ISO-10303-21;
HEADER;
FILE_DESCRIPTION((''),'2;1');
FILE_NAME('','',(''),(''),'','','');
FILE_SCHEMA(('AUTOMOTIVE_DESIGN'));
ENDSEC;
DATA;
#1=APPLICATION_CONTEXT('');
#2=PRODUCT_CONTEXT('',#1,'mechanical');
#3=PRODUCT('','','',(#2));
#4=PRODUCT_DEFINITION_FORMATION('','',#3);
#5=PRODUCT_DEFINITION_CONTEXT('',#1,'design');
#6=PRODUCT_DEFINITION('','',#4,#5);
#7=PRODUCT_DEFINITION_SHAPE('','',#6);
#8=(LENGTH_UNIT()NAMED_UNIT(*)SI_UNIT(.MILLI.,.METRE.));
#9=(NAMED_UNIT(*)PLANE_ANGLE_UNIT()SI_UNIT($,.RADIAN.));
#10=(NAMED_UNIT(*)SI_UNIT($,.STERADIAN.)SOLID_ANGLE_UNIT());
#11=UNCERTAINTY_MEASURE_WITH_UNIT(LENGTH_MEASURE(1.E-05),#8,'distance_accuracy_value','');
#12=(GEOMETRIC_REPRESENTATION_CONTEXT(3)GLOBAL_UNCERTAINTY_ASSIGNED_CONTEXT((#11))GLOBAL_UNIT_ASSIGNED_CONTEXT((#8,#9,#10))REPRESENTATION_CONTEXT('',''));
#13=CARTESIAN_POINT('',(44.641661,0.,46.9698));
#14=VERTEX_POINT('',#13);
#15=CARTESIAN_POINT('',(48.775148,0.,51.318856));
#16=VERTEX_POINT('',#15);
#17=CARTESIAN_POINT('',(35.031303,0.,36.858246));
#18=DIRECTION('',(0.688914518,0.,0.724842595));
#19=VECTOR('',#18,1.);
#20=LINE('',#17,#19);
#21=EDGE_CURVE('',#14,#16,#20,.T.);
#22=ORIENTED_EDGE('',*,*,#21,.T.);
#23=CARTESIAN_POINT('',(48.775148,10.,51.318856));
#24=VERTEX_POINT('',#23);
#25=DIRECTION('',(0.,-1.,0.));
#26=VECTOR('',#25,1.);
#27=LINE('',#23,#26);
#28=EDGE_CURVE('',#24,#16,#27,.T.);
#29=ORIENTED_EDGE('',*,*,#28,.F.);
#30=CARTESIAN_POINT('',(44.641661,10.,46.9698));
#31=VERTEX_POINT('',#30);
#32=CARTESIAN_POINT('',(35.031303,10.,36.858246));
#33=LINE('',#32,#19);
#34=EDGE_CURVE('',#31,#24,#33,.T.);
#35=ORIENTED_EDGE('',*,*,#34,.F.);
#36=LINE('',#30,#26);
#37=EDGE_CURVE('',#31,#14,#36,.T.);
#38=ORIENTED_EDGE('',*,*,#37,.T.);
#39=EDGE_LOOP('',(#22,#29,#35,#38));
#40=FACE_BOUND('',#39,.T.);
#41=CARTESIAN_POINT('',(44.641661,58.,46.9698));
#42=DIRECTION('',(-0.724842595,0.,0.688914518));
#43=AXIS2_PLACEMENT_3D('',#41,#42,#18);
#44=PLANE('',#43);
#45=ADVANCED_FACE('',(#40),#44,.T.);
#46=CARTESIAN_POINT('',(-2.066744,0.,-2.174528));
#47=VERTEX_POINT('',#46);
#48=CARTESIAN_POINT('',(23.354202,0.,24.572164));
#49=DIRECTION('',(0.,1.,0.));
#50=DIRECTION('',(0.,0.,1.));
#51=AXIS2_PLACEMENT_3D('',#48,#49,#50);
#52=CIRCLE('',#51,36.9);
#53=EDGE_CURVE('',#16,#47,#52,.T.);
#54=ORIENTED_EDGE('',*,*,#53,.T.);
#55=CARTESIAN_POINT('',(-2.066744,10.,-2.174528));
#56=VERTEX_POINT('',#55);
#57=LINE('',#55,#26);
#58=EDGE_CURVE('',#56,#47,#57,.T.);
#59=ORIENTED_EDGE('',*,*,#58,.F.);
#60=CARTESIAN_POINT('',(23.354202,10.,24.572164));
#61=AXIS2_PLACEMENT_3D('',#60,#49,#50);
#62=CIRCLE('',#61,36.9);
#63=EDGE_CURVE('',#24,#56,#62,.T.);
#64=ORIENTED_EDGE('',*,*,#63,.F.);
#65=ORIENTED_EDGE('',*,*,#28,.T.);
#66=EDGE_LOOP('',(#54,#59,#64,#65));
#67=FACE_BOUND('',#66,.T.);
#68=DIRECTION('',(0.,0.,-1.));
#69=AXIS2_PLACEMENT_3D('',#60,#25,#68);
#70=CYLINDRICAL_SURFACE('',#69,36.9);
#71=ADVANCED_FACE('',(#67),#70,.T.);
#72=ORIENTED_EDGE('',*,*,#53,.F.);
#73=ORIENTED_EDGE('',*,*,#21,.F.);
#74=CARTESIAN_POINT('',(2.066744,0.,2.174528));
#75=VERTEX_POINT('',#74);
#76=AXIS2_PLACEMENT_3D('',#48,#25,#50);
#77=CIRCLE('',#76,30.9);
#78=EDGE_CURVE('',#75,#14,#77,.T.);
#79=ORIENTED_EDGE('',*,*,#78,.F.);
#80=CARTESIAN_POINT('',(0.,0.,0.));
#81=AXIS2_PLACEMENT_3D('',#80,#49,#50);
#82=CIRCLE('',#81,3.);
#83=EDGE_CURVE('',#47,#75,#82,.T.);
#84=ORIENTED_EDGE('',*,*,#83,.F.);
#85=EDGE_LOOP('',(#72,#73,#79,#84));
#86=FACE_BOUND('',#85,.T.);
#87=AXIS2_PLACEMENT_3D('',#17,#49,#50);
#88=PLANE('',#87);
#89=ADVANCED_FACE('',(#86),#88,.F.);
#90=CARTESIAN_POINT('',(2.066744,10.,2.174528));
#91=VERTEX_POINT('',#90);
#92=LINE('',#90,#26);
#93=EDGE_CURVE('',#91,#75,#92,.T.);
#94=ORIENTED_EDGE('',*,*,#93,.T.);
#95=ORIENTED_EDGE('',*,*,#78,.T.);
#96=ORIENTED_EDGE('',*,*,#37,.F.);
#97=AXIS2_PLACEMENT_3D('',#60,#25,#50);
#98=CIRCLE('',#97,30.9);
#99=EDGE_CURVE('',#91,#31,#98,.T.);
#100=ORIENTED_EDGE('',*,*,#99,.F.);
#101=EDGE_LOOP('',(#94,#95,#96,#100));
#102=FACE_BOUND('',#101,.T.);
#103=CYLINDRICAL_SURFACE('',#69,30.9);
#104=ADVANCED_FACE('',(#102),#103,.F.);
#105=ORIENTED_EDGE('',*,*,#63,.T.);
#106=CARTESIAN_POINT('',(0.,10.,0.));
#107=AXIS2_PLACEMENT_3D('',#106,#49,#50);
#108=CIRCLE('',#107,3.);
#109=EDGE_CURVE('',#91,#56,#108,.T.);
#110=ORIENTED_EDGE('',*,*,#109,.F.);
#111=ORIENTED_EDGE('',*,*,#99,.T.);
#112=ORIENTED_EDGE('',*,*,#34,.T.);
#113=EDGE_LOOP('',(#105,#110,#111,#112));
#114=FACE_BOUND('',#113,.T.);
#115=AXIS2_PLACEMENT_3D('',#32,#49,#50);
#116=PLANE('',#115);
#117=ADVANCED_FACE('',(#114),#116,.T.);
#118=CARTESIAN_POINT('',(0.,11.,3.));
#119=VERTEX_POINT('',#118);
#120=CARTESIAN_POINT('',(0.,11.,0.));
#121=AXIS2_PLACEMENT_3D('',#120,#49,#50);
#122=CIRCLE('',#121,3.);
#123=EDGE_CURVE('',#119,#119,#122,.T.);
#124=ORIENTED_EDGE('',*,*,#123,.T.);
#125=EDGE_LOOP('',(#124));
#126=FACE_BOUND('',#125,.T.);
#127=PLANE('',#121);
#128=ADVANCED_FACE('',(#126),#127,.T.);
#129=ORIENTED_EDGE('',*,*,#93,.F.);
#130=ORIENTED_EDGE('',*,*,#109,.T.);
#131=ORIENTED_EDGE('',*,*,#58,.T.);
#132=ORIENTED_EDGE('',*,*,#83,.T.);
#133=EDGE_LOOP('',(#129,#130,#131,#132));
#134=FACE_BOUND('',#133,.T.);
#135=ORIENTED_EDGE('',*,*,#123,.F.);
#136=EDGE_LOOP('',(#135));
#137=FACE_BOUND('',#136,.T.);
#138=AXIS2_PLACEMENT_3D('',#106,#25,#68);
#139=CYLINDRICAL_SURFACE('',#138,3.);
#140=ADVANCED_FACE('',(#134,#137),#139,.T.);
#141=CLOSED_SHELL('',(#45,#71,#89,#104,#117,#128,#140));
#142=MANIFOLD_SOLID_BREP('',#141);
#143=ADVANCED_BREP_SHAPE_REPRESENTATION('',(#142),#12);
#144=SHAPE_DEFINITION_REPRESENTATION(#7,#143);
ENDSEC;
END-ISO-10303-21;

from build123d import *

# Parameters (mm, degrees)
BOSS_EXTRUDE8_DEPTH     = 10
SKETCH17_R              = 3
BOSS_EXTRUDE9_DEPTH     = 1
CUT_EXTRUDE3_DEPTH      = 48
CUT_EXTRUDE3_DEPTH_BACK = 52


with BuildPart() as part:
    # Sketch15 → Boss-Extrude8 (new body)
    with BuildSketch(Plane(origin=(0, 0, 0), x_dir=(1, 0, 0), z_dir=(0, 1, 0))):
        with BuildLine():
            ThreePointArc((48.775147877, -51.318855692), (50.100893899, 0.848781761), (-2.066743554, 2.174527784))
            ThreePointArc((-2.066743554, 2.174527784), (-2.174527784, -2.066743554), (2.066743554, -2.174527784))
            ThreePointArc((2.066743554, -2.174527784), (45.751838332, -3.284705347), (44.641660769, -46.969800125))
            ThreePointArc((44.641660769, -46.969800125), (44.533876539, -51.211071463), (48.775147877, -51.318855692))
        make_face()
    extrude(amount=BOSS_EXTRUDE8_DEPTH)

    # Sketch17 → Boss-Extrude9 (add)
    with BuildSketch(Plane(origin=(0, 10, 0), x_dir=(1, 0, 0), z_dir=(0, 1, 0))):
        with Locations(Location((0, 0, 0), (0, 0, 133.544244871))):
            Circle(SKETCH17_R)
    extrude(amount=BOSS_EXTRUDE9_DEPTH)

    # Sketch18 → Cut-Extrude3 (cut, two sides: drawn at the far end of the back side and taken through both)
    with BuildSketch(Plane(origin=(0, 10, 0), x_dir=(1, 0, 0), z_dir=(0, 1, 0)).offset(-CUT_EXTRUDE3_DEPTH_BACK)):
        with BuildLine():
            Line((44.641660769, -46.969800125), (48.775147877, -51.318855692))
            ThreePointArc((48.775147877, -51.318855692), (46.632189363, -52.143359632), (44.533876539, -51.211071463))
            ThreePointArc((44.533876539, -51.211071463), (43.709372599, -49.068112949), (44.641660769, -46.969800125))
        make_face()
    extrude(amount=CUT_EXTRUDE3_DEPTH + CUT_EXTRUDE3_DEPTH_BACK, mode=Mode.SUBTRACT)


solid = part.part
